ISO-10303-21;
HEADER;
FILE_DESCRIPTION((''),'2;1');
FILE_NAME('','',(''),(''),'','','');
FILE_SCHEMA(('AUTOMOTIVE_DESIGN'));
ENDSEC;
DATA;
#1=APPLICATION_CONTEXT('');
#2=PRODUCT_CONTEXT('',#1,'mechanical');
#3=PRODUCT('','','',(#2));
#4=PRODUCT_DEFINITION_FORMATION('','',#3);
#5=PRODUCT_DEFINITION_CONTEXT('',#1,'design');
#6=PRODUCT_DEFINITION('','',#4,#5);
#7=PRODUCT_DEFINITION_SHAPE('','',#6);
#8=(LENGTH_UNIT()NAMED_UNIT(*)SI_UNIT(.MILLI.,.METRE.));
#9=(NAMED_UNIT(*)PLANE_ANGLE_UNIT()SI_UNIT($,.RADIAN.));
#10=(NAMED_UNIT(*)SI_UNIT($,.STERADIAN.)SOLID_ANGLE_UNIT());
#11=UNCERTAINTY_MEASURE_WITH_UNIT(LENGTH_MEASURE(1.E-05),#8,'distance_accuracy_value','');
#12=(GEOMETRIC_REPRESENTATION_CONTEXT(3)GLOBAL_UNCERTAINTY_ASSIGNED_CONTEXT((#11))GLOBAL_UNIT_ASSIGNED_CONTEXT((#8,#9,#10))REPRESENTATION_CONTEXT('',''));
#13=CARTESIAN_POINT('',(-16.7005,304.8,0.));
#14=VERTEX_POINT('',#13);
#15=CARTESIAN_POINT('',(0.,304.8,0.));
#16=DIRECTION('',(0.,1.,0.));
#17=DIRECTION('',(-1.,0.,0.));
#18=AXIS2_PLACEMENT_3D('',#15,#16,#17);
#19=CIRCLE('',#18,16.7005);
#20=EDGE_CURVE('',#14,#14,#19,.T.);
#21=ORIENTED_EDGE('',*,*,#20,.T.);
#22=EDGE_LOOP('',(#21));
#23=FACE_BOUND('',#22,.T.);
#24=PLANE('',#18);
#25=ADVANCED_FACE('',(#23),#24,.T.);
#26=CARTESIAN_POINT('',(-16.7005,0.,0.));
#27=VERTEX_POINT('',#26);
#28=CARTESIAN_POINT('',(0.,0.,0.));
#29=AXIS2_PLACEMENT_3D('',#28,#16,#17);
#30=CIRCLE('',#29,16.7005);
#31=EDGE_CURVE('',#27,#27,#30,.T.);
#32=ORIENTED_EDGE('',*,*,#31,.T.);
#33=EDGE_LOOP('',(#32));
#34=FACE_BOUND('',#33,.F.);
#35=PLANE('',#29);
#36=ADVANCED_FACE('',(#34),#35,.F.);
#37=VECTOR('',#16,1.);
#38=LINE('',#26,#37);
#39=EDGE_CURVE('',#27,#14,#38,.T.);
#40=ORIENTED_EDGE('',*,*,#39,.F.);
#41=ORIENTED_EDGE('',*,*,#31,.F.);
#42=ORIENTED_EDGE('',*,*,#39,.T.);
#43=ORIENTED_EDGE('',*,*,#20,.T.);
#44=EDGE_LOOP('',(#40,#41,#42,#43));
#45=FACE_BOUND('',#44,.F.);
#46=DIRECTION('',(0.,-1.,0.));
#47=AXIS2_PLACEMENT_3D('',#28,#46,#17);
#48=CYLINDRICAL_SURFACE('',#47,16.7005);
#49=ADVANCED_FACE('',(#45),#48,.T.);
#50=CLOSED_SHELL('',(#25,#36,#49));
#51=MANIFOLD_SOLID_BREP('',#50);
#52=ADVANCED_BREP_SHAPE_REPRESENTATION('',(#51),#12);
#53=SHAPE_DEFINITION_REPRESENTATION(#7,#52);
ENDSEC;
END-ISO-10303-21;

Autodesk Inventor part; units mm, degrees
ref_plane "YZ Plane" through (0, 0, 0) normal (1, 0, 0) x (0, 1, 0)
ref_plane "XZ Plane" through (0, 0, 0) normal (0, 1, 0) x (-1, 0, 0)
ref_plane "XY Plane" through (0, 0, 0) normal (0, 0, 1) x (1, 0, 0)
sketch "Sketch1" plane through (0, 0, 0) normal (0, 1, 0) x (-1, 0, 0)
  circle A0 centre (0, 0) radius 16.7005
  dimension "d0" = 33.401
extrude "Extrusion1" add sketch "Sketch1" along normal blind 304.8
properties part number "Frame Part 1"
